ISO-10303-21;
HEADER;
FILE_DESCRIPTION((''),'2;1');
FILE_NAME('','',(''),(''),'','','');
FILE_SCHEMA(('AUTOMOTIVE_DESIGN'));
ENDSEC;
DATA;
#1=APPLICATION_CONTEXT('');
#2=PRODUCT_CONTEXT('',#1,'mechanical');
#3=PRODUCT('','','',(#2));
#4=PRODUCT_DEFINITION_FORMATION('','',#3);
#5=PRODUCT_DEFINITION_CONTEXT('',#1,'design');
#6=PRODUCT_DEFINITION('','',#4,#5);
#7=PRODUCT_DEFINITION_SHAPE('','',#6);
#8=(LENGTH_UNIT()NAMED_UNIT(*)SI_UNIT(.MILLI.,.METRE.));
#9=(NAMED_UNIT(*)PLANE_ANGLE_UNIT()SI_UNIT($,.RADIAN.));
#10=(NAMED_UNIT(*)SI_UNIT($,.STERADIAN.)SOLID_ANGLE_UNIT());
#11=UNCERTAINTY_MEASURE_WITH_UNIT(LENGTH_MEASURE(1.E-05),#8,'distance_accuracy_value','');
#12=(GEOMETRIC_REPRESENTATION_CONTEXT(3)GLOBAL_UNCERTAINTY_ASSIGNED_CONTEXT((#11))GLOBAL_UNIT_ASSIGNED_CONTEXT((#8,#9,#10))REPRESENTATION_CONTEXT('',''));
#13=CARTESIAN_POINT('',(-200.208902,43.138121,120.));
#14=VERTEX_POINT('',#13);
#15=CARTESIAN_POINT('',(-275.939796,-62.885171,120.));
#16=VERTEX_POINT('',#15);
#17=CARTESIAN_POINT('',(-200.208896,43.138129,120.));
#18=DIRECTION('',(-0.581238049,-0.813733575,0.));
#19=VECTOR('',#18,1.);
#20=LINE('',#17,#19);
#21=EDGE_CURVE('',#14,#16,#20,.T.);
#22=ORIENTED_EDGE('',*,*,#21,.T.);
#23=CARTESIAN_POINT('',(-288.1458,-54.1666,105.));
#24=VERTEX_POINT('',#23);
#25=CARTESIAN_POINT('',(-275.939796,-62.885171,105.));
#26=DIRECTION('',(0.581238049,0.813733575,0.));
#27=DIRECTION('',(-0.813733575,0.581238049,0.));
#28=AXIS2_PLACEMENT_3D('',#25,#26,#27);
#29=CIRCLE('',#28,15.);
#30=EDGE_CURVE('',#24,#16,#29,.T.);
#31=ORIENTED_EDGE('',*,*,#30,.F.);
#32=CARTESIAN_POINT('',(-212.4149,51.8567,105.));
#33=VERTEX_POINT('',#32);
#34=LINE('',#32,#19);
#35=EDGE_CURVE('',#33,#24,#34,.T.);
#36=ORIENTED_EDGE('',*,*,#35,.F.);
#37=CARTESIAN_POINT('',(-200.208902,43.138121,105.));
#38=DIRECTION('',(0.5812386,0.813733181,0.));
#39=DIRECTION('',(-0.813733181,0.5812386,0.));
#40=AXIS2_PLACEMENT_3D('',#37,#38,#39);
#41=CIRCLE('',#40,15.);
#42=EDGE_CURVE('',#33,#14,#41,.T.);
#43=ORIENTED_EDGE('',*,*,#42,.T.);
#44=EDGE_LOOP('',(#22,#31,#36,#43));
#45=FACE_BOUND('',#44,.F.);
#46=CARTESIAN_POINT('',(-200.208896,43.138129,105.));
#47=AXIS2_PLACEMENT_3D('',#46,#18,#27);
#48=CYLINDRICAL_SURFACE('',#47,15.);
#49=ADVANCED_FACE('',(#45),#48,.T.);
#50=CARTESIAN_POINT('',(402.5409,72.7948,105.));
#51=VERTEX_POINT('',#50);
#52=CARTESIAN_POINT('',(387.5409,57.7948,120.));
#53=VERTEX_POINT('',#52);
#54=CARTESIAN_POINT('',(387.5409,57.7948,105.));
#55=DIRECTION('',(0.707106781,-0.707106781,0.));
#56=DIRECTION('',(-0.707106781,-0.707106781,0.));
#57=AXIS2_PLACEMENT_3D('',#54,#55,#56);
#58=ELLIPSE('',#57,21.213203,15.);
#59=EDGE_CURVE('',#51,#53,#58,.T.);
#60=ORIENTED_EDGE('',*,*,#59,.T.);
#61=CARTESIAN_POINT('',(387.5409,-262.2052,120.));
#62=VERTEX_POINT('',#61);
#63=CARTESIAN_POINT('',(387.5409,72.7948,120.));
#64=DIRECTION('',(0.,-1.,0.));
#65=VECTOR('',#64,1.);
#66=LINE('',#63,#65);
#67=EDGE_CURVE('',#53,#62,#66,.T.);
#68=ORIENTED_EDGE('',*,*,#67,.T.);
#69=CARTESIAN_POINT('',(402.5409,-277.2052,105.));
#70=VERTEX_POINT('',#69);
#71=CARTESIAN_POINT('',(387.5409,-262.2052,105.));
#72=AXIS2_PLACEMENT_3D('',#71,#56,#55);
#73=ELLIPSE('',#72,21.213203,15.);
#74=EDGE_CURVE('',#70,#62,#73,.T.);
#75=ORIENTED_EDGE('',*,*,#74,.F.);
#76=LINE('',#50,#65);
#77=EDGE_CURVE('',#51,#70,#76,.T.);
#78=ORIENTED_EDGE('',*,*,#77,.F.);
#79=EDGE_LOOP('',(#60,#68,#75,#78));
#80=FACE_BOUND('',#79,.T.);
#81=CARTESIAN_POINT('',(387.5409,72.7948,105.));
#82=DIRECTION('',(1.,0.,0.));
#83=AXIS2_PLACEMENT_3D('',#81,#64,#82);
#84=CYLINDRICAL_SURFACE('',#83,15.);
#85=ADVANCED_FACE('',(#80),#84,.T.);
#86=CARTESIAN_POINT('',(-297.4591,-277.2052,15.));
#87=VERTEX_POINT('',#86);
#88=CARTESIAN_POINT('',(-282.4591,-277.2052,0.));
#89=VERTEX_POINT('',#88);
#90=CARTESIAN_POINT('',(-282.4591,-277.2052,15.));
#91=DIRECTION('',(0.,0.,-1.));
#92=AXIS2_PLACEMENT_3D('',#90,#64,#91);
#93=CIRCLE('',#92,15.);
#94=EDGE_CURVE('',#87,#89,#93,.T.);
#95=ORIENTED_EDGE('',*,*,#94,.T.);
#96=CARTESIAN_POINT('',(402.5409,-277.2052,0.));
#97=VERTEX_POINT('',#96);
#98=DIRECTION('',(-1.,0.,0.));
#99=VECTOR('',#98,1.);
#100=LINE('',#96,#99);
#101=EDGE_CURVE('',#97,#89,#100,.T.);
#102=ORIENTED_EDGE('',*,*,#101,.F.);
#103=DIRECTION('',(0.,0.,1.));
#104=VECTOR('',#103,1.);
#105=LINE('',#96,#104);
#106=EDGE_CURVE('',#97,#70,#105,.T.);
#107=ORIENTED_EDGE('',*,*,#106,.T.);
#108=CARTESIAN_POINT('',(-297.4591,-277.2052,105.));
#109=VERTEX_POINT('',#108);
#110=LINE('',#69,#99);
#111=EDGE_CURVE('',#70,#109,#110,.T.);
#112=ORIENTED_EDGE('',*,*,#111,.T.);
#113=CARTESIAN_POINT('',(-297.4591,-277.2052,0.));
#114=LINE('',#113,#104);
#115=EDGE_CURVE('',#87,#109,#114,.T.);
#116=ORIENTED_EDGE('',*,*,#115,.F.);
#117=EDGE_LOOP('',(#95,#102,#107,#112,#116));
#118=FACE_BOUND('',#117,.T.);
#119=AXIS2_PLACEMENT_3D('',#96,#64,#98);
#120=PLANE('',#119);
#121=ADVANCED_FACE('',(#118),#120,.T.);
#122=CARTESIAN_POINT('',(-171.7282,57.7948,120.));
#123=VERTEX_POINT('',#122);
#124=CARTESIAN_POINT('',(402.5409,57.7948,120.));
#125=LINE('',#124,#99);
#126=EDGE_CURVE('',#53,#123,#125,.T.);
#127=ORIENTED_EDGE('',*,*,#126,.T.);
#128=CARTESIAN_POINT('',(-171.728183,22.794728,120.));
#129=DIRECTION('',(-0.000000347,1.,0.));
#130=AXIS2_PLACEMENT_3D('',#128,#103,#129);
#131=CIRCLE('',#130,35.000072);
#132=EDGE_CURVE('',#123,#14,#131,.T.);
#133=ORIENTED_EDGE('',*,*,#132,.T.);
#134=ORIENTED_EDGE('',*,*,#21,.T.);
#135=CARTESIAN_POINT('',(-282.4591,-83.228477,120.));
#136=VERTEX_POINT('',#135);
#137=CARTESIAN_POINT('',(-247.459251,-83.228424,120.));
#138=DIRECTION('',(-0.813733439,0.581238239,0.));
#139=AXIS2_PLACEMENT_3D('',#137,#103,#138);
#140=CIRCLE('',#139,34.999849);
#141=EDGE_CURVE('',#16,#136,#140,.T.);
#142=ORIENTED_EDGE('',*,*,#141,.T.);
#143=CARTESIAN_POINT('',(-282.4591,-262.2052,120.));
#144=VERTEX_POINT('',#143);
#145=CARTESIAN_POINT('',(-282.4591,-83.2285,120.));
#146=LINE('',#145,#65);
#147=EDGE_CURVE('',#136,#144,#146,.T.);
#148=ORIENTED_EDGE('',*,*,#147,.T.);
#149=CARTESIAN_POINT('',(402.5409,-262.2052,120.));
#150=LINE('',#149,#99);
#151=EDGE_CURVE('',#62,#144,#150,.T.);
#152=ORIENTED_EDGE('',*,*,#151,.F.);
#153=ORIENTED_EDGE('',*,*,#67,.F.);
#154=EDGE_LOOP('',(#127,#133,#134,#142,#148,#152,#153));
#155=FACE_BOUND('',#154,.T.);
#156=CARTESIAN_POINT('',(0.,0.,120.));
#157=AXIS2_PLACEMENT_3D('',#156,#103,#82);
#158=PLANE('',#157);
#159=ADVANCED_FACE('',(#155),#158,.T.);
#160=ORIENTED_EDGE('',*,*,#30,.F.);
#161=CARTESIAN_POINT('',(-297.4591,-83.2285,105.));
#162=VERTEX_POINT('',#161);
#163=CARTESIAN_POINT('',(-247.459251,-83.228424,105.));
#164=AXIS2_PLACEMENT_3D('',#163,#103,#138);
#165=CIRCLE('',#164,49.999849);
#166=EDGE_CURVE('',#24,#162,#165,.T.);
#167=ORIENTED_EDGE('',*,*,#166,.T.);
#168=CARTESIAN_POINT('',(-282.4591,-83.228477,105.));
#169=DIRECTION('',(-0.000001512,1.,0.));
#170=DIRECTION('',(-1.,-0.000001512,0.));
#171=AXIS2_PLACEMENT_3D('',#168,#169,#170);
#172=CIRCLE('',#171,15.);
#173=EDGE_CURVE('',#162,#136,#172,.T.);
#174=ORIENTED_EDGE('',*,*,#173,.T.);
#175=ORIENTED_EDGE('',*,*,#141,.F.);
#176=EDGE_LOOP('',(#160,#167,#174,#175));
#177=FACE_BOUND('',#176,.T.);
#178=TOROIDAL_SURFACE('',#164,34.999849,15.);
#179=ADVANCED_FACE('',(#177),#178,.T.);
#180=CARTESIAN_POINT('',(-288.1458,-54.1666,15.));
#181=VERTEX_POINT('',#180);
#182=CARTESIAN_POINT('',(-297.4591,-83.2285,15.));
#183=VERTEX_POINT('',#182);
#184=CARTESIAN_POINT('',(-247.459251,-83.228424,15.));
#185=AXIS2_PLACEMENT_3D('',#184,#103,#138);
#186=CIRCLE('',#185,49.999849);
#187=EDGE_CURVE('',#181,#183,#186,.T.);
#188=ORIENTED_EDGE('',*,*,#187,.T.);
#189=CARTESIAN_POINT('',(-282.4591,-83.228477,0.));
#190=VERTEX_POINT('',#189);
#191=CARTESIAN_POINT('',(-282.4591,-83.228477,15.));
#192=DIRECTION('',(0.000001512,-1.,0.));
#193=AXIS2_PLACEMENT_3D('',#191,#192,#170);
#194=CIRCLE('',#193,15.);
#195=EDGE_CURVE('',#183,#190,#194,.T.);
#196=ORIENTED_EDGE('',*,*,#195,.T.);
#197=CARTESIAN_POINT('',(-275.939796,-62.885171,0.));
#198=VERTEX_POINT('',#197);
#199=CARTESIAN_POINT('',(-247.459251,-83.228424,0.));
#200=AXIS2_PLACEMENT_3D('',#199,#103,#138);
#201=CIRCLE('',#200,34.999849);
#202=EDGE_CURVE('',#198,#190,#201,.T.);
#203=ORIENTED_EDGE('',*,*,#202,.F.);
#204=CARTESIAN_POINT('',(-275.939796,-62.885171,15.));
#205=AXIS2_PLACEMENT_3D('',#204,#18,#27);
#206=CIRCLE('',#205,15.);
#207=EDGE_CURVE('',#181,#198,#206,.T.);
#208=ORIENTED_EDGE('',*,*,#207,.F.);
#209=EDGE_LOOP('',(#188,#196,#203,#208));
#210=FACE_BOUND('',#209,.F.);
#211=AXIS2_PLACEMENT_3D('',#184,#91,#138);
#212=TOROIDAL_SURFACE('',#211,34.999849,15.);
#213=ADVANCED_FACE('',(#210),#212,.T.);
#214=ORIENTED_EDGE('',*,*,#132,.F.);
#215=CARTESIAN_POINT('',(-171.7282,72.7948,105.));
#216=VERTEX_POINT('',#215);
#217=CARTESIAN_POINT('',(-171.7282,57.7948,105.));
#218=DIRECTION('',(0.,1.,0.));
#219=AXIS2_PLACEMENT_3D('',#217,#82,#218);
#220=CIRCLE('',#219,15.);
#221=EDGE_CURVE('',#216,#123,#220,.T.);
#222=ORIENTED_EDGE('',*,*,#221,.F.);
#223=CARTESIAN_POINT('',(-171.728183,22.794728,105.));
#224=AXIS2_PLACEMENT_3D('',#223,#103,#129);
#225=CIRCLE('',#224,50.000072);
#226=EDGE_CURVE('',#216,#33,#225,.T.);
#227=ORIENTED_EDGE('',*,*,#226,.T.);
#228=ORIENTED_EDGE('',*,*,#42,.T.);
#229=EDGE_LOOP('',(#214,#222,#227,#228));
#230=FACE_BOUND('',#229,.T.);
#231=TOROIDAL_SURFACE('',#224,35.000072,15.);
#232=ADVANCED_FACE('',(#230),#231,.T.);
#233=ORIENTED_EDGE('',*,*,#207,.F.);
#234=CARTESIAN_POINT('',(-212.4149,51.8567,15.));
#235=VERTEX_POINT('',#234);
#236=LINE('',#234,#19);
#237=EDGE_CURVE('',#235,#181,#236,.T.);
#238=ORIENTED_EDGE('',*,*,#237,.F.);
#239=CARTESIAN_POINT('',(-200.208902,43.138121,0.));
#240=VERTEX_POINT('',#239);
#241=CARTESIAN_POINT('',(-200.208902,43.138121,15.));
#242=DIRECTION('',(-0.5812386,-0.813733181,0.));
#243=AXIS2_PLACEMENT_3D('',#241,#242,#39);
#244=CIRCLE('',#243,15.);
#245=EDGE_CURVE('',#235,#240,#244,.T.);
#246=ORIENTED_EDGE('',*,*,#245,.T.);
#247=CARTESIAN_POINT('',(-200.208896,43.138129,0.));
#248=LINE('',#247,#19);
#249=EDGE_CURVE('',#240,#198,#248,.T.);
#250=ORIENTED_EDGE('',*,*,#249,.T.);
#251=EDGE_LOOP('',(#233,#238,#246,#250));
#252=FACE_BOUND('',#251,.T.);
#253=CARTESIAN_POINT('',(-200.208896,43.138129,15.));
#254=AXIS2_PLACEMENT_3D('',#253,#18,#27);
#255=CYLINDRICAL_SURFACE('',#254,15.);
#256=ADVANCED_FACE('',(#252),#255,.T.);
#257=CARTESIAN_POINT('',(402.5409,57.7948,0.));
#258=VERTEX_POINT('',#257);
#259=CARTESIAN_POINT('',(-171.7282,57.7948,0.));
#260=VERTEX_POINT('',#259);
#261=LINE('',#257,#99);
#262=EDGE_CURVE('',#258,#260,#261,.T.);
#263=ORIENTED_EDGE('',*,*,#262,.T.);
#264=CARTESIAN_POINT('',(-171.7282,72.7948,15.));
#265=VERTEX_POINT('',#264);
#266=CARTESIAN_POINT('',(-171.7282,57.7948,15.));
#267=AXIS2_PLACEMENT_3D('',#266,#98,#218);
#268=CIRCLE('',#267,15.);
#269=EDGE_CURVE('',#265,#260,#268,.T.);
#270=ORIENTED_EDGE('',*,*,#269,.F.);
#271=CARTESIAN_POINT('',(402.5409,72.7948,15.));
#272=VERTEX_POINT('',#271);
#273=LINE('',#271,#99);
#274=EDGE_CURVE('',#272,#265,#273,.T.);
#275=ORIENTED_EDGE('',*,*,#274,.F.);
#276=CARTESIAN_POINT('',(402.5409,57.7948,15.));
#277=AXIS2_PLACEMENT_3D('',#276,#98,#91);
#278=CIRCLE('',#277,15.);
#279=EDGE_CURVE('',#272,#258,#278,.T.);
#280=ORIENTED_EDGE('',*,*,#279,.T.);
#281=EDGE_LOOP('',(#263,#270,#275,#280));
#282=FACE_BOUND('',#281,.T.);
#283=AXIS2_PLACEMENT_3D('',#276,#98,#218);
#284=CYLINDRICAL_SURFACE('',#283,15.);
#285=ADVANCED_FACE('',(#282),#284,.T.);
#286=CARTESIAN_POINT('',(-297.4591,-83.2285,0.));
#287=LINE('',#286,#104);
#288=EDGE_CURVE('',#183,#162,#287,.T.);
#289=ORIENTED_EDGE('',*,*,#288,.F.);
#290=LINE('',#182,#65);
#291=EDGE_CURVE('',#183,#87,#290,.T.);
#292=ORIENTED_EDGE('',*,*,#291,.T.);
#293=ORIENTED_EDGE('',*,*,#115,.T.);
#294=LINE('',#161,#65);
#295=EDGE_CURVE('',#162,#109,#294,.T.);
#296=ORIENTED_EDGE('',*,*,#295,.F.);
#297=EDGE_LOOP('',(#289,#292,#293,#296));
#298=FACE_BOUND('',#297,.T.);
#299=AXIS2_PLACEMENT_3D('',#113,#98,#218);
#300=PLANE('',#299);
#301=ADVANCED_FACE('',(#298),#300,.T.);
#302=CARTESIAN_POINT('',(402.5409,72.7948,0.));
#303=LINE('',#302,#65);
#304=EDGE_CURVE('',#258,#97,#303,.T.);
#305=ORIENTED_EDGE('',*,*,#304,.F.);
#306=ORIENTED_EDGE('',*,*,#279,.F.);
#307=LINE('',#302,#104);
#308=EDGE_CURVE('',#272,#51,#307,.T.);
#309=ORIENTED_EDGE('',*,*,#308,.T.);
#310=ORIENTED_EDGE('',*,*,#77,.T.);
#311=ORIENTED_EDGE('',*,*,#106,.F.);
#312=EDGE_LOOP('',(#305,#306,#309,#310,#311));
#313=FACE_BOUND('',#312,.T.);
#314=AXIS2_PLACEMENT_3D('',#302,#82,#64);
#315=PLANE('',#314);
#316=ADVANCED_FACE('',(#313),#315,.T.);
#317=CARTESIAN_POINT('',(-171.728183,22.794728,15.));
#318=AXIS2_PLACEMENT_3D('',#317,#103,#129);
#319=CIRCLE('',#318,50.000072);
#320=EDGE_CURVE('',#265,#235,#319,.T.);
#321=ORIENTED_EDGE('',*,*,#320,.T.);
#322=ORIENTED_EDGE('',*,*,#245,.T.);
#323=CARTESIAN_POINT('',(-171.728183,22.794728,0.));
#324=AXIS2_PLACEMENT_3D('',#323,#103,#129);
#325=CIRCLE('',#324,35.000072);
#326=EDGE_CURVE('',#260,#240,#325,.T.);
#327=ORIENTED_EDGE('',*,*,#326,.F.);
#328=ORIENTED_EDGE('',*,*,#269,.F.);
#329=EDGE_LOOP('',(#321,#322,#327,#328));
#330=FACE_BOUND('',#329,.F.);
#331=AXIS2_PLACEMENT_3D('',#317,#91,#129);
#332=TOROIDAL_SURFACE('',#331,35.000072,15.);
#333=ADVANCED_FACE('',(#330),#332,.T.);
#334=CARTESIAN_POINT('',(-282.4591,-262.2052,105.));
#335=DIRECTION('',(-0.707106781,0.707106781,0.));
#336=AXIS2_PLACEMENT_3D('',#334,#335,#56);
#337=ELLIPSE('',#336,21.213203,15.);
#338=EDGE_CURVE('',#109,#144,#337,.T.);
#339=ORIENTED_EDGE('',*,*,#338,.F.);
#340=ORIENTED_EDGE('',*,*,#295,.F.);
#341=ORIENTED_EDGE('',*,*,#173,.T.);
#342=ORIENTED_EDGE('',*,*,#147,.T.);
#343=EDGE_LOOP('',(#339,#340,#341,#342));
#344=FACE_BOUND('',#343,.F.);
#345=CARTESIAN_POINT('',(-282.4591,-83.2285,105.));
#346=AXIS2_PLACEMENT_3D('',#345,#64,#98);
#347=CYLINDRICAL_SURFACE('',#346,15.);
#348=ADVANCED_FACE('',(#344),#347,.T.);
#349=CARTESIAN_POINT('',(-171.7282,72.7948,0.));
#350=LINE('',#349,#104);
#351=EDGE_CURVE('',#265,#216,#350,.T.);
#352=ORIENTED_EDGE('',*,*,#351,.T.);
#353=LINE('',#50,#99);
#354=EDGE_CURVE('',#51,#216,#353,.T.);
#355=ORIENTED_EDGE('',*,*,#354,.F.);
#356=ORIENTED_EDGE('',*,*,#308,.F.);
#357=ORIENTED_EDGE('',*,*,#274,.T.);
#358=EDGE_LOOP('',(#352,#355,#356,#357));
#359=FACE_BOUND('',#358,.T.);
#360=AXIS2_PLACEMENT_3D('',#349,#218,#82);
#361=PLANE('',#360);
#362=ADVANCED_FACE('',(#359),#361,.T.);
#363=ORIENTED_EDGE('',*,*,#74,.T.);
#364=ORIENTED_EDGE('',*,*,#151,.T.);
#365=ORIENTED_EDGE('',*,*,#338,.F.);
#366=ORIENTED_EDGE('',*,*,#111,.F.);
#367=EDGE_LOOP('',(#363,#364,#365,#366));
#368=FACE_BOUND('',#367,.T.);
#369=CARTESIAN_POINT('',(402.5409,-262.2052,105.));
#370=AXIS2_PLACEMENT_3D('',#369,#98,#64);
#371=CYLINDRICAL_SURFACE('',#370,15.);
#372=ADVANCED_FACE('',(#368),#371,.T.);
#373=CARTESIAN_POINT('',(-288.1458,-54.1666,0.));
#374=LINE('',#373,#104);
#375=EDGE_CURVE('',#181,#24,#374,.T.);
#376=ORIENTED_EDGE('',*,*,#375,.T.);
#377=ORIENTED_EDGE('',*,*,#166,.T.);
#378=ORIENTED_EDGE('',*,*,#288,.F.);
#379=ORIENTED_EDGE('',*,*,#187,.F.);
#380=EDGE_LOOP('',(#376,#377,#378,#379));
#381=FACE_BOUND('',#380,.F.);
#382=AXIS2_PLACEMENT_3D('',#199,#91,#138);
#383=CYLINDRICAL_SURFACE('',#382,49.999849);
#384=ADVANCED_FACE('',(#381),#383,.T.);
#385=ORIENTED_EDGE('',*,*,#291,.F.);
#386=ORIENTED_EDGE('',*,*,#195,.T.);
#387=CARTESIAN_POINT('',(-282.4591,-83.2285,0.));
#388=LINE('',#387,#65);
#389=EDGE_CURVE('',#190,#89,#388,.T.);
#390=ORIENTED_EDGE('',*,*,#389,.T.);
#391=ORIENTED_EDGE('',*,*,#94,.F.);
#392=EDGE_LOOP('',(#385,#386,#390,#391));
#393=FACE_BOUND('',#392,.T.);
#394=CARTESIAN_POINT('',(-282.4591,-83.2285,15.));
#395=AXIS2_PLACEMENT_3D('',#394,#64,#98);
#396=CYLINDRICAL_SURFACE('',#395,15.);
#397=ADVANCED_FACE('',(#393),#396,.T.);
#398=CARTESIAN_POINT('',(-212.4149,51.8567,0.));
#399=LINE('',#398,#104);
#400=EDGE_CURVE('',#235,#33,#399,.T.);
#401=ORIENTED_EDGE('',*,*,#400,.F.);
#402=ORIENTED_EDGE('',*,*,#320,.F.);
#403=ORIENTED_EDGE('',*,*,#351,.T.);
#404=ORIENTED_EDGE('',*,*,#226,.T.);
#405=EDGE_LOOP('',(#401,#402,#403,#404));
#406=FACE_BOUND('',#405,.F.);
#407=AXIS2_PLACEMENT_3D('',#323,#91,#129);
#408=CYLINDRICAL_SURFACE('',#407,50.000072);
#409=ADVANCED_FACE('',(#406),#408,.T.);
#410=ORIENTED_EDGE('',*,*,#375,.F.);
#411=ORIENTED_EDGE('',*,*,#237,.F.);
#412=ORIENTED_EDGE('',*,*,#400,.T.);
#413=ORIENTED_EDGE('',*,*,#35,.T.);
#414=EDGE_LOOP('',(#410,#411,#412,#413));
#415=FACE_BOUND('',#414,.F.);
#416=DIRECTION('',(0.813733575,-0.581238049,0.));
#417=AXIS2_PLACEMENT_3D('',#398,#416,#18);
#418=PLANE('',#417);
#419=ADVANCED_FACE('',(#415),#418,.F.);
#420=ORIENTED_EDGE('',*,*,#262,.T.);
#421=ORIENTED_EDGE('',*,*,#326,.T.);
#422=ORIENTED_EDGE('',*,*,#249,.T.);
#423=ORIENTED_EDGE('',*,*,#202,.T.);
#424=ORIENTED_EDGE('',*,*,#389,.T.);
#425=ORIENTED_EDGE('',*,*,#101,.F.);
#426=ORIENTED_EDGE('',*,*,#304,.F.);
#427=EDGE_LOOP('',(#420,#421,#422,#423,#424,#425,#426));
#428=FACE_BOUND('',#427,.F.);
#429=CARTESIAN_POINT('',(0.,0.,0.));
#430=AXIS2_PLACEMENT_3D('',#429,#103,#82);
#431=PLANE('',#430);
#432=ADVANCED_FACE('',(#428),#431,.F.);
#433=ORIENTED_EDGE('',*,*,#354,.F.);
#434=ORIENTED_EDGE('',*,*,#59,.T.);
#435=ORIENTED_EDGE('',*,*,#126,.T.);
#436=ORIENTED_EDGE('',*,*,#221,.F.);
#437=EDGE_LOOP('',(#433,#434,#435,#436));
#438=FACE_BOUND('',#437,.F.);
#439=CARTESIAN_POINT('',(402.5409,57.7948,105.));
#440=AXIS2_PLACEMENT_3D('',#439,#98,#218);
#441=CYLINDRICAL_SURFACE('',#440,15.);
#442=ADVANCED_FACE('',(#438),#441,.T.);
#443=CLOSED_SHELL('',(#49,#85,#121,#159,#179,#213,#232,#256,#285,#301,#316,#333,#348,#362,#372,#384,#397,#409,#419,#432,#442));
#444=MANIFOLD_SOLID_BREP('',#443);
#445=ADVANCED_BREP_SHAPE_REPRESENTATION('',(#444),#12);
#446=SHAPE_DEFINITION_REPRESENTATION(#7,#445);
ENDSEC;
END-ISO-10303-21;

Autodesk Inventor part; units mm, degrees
ref_plane "YZ Plane" through (0, 0, 0) normal (1, 0, 0) x (0, 1, 0)
ref_plane "XZ Plane" through (0, 0, 0) normal (0, 1, 0) x (-1, 0, 0)
ref_plane "XY Plane" through (0, 0, 0) normal (0, 0, 1) x (1, 0, 0)
sketch "Skizze1" plane through (0, 0, 0) normal (0, 0, 1) x (1, 0, 0)
  line L0 (-171.7282, 72.7948) -> (402.5409, 72.7948)
  line L1 (402.5409, 72.7948) -> (402.5409, -277.2052)
  line L2 (402.5409, -277.2052) -> (-297.4591, -277.2052)
  line L3 (-297.4591, -277.2052) -> (-297.4591, -83.2285)
  line L4 (-212.4149, 51.8567) -> (-288.1458, -54.1666)
  arc A0 (-171.7282, 72.7948) -> (-212.4149, 51.8567) centre (-171.7282, 22.7948) ccw
  arc A1 (-288.1458, -54.1666) -> (-297.4591, -83.2285) centre (-247.4591, -83.2285) ccw
  point P0 (0, 0)
  point P1 (-297.4591, -67.2052)
  point P2 (-197.4591, 72.7948)
  dimension "d0" = 700
  dimension "d1" = 350
  dimension "d2" = 210
  dimension "d3" = 600
  dimension "d4" = 50
extrude "Extrusion1" add sketch "Skizze1" along normal blind 120
fillet "Rundung1" radius 15 12 edges at (-194.6073, 67.2532, 120) (-250.2803, -1.1549, 120) (-295.0739, -67.9696, 120) (-297.4591, -180.2168, 120) (115.4064, 72.7948, 120) (-194.6073, 67.2532, 0) (-250.2803, -1.1549, 0) (-295.0739, -67.9696, 0) (-297.4591, -180.2168, 0) (115.4064, 72.7948, 0) (402.5409, -102.2052, 120) (52.5409, -277.2052, 120)
properties part number "Armlehne Polsterung"
